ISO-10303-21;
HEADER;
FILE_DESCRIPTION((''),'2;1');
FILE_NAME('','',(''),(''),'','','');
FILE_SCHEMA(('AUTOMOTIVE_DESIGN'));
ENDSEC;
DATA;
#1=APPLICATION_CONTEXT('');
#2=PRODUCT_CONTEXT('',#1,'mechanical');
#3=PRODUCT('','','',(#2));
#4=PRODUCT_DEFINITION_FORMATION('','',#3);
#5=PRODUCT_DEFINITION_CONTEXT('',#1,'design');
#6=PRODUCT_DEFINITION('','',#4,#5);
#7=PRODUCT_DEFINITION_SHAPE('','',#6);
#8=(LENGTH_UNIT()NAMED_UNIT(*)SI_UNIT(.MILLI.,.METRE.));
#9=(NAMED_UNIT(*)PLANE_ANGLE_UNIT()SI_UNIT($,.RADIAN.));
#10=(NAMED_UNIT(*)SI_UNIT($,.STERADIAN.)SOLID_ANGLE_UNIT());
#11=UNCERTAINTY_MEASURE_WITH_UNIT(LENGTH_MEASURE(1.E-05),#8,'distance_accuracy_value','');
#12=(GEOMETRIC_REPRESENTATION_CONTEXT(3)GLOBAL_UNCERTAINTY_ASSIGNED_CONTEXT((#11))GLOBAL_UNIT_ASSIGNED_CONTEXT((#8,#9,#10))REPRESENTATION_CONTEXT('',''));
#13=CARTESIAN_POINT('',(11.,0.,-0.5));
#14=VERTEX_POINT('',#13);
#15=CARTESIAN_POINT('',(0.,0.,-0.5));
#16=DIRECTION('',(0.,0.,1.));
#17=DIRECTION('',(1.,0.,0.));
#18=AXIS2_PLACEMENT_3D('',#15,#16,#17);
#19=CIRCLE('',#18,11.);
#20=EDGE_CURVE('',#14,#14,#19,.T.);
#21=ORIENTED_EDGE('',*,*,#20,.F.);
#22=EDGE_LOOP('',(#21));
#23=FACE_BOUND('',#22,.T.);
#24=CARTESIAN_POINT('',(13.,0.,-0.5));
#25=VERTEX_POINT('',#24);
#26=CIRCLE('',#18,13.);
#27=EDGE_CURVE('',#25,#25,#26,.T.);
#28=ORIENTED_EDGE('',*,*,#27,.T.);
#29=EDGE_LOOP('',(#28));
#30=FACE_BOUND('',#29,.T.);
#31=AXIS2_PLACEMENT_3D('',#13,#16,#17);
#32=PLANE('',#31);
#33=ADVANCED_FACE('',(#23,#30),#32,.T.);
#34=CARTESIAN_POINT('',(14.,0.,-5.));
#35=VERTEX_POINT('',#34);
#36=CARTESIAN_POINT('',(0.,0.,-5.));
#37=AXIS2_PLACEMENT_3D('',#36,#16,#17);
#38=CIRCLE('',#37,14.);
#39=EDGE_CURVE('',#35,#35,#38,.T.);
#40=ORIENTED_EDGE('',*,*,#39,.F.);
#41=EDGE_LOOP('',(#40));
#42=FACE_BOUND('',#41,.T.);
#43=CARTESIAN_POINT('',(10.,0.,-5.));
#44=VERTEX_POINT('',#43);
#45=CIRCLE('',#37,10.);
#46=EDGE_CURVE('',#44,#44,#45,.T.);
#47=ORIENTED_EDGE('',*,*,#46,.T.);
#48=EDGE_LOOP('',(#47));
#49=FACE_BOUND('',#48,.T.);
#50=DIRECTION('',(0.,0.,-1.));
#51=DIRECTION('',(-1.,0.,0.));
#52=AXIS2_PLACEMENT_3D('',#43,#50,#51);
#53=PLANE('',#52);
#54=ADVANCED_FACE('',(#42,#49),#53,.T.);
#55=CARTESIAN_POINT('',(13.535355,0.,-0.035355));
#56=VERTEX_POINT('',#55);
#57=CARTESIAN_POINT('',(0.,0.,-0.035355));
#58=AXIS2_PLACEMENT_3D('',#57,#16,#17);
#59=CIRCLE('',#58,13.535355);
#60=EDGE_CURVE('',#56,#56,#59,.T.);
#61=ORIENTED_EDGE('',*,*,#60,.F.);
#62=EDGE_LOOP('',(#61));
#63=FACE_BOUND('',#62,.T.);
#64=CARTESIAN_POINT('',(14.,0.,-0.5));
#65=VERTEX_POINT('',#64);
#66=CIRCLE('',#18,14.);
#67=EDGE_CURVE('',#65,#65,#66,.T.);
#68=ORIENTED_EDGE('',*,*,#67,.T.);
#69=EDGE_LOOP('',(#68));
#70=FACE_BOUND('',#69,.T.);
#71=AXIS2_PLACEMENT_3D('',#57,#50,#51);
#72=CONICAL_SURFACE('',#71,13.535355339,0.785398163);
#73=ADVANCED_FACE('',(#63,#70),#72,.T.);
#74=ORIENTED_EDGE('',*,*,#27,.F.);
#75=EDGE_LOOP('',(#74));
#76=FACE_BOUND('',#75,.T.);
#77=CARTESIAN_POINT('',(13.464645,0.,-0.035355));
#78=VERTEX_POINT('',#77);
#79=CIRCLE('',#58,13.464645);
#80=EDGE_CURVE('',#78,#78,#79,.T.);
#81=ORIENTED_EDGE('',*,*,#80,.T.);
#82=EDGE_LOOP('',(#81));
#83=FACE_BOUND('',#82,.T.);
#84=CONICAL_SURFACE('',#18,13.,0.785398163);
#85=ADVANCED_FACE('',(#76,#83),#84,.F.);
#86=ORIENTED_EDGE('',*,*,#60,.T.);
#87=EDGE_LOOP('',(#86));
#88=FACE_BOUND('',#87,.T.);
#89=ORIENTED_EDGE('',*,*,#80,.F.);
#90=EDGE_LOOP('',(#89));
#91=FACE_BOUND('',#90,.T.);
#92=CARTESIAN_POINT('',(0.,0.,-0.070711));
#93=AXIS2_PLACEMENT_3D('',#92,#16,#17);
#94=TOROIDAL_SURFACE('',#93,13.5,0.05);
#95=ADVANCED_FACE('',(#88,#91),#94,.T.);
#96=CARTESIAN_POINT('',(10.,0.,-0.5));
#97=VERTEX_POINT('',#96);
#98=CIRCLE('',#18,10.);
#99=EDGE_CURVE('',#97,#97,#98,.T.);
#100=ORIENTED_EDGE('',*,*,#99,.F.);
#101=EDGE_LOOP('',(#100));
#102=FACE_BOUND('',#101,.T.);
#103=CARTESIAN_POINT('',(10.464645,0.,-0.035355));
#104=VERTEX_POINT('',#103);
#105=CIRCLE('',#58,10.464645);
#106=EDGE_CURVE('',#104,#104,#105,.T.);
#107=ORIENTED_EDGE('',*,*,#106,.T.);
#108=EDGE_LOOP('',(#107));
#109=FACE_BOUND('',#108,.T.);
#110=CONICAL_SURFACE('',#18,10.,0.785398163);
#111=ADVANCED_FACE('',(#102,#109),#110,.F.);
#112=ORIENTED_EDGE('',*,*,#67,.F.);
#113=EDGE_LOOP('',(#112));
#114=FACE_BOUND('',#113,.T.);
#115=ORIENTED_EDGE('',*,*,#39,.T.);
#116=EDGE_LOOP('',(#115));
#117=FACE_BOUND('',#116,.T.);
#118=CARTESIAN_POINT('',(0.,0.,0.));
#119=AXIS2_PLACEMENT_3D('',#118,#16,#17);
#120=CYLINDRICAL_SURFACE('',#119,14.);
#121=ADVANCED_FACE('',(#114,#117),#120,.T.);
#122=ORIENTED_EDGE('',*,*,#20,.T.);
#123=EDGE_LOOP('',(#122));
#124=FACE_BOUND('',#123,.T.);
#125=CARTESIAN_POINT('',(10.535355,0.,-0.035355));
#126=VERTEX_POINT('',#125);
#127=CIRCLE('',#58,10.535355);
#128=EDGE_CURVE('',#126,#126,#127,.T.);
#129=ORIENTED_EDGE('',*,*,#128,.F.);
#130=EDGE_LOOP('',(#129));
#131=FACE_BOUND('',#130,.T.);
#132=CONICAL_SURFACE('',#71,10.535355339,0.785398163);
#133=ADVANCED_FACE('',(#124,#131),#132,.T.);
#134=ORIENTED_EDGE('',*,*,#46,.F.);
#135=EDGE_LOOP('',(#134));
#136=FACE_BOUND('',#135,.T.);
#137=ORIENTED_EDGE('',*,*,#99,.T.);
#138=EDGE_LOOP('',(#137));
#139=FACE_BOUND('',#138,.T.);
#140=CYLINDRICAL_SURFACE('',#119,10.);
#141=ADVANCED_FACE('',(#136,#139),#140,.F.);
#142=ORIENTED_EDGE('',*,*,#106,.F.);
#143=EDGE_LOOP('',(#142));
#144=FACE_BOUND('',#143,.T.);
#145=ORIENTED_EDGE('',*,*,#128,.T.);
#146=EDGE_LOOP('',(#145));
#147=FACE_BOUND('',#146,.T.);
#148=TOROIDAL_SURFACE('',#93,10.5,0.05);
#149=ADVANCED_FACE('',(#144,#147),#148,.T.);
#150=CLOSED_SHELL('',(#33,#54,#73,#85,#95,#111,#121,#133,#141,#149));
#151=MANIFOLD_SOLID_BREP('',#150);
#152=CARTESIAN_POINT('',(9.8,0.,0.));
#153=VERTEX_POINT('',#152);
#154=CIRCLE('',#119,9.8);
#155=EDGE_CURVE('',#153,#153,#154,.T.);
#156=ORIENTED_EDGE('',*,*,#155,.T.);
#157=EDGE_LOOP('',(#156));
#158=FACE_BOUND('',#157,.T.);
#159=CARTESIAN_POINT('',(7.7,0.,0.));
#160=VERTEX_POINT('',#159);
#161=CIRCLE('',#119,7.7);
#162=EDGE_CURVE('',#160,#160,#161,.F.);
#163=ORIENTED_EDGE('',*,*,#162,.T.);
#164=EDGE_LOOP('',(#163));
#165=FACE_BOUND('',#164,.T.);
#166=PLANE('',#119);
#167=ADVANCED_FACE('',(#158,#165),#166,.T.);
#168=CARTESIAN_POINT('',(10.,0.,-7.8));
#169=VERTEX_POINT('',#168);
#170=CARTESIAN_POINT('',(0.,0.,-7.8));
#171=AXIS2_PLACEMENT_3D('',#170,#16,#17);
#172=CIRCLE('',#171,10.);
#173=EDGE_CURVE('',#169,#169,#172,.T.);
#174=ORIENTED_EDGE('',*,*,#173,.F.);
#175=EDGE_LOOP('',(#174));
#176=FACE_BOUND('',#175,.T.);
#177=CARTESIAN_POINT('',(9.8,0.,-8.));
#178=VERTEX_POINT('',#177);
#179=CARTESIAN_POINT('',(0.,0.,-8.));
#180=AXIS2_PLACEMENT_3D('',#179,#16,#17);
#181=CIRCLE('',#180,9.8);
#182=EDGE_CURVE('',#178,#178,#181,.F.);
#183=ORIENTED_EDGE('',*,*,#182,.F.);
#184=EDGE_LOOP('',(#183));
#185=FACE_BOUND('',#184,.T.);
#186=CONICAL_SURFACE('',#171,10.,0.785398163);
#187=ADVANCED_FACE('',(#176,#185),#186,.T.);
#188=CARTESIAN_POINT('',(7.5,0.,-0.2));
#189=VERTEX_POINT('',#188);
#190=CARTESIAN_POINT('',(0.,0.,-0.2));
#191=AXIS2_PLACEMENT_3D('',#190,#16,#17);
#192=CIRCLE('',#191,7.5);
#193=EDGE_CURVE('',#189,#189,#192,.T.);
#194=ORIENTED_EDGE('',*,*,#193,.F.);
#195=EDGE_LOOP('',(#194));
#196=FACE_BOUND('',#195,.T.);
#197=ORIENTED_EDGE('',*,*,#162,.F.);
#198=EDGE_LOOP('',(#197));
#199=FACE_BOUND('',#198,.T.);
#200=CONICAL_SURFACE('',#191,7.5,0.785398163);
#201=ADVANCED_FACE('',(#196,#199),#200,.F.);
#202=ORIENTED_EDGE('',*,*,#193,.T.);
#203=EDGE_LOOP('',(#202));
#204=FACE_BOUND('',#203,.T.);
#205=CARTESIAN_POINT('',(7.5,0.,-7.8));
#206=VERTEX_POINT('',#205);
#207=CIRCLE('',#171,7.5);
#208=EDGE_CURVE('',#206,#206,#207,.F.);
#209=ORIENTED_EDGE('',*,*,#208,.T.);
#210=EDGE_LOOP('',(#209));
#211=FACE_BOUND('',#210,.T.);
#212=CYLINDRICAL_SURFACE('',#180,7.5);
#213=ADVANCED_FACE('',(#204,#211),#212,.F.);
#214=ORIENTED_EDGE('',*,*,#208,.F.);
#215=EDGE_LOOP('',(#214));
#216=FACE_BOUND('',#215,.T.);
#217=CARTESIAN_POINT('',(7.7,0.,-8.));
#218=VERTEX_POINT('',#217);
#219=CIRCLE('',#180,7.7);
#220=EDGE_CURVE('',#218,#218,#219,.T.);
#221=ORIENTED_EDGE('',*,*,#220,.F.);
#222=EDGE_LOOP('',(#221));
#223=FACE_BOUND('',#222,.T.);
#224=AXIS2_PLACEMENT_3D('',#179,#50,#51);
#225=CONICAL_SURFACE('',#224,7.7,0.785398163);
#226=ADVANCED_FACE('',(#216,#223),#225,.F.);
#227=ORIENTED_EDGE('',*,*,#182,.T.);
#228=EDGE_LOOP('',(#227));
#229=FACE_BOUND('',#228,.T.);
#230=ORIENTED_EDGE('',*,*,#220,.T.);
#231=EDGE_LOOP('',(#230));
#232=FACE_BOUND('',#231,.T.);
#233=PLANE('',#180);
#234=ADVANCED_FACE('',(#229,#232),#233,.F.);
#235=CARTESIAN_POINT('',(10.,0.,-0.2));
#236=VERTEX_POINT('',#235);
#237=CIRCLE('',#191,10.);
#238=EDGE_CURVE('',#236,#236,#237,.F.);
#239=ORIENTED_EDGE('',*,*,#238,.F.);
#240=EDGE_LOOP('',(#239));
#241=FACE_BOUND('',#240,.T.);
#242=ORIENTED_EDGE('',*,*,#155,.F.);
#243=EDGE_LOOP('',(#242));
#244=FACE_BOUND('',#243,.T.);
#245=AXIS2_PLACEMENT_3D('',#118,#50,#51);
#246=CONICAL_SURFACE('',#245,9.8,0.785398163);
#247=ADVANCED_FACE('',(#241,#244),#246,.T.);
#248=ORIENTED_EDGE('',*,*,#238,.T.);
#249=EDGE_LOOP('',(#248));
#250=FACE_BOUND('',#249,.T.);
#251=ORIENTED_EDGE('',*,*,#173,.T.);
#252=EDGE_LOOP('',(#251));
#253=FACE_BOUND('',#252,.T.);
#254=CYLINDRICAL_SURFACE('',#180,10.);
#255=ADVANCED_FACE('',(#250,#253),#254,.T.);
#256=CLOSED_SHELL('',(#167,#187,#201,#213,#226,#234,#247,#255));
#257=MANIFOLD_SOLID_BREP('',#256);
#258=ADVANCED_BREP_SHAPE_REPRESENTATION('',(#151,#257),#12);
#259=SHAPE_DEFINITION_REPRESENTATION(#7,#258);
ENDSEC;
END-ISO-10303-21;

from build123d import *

# Parameters (mm, degrees)
SKETCH_4_R      = 10
SKETCH_4_R_2    = 7.5
EXTRUDE_1_DEPTH = 8
CHAMFER_1_SIZE  = 0.2


with BuildPart() as part:
    # 草圖2 → 旋轉1 (revolve)
    with BuildSketch(Plane(origin=(0, 0, 0), x_dir=(1, 0, 0), z_dir=(0, 1, 0))):
        with BuildLine():
            Line((10, 5), (14, 5))
            Line((14, 5), (14, 0.5))
            Line((14, 0.5), (13.535355339, 0.035355339))
            ThreePointArc((13.535355339, 0.035355339), (13.5, 0.020710678), (13.464644661, 0.035355339))
            Line((13.464644661, 0.035355339), (13, 0.5))
            Line((13, 0.5), (11, 0.5))
            Line((11, 0.5), (10.535355339, 0.035355339))
            ThreePointArc((10.535355339, 0.035355339), (10.5, 0.020710678), (10.464644661, 0.035355339))
            Line((10.464644661, 0.035355339), (10, 0.5))
            Line((10, 0.5), (10, 5))
        make_face()
    revolve(axis=Axis((0, 0, 0), (0, 0, -1)))


with BuildPart() as body_2:
    # 草圖4 → 填料-伸長1 (new body)
    with BuildSketch(Plane.XY):
        Circle(SKETCH_4_R)
        Circle(SKETCH_4_R_2, mode=Mode.SUBTRACT)
    extrude(amount=-EXTRUDE_1_DEPTH)

    # 導角1
    chamfer_1_edges = [body_2.edges().sort_by_distance(p)[0] for p in [
        (-10, 0, 0),
        (-10, 0, -8),
        (-7.5, 0, -8),
        (-7.5, 0, 0),
    ]]
    chamfer(chamfer_1_edges, length=CHAMFER_1_SIZE)


solid = Compound([part.part, body_2.part])
